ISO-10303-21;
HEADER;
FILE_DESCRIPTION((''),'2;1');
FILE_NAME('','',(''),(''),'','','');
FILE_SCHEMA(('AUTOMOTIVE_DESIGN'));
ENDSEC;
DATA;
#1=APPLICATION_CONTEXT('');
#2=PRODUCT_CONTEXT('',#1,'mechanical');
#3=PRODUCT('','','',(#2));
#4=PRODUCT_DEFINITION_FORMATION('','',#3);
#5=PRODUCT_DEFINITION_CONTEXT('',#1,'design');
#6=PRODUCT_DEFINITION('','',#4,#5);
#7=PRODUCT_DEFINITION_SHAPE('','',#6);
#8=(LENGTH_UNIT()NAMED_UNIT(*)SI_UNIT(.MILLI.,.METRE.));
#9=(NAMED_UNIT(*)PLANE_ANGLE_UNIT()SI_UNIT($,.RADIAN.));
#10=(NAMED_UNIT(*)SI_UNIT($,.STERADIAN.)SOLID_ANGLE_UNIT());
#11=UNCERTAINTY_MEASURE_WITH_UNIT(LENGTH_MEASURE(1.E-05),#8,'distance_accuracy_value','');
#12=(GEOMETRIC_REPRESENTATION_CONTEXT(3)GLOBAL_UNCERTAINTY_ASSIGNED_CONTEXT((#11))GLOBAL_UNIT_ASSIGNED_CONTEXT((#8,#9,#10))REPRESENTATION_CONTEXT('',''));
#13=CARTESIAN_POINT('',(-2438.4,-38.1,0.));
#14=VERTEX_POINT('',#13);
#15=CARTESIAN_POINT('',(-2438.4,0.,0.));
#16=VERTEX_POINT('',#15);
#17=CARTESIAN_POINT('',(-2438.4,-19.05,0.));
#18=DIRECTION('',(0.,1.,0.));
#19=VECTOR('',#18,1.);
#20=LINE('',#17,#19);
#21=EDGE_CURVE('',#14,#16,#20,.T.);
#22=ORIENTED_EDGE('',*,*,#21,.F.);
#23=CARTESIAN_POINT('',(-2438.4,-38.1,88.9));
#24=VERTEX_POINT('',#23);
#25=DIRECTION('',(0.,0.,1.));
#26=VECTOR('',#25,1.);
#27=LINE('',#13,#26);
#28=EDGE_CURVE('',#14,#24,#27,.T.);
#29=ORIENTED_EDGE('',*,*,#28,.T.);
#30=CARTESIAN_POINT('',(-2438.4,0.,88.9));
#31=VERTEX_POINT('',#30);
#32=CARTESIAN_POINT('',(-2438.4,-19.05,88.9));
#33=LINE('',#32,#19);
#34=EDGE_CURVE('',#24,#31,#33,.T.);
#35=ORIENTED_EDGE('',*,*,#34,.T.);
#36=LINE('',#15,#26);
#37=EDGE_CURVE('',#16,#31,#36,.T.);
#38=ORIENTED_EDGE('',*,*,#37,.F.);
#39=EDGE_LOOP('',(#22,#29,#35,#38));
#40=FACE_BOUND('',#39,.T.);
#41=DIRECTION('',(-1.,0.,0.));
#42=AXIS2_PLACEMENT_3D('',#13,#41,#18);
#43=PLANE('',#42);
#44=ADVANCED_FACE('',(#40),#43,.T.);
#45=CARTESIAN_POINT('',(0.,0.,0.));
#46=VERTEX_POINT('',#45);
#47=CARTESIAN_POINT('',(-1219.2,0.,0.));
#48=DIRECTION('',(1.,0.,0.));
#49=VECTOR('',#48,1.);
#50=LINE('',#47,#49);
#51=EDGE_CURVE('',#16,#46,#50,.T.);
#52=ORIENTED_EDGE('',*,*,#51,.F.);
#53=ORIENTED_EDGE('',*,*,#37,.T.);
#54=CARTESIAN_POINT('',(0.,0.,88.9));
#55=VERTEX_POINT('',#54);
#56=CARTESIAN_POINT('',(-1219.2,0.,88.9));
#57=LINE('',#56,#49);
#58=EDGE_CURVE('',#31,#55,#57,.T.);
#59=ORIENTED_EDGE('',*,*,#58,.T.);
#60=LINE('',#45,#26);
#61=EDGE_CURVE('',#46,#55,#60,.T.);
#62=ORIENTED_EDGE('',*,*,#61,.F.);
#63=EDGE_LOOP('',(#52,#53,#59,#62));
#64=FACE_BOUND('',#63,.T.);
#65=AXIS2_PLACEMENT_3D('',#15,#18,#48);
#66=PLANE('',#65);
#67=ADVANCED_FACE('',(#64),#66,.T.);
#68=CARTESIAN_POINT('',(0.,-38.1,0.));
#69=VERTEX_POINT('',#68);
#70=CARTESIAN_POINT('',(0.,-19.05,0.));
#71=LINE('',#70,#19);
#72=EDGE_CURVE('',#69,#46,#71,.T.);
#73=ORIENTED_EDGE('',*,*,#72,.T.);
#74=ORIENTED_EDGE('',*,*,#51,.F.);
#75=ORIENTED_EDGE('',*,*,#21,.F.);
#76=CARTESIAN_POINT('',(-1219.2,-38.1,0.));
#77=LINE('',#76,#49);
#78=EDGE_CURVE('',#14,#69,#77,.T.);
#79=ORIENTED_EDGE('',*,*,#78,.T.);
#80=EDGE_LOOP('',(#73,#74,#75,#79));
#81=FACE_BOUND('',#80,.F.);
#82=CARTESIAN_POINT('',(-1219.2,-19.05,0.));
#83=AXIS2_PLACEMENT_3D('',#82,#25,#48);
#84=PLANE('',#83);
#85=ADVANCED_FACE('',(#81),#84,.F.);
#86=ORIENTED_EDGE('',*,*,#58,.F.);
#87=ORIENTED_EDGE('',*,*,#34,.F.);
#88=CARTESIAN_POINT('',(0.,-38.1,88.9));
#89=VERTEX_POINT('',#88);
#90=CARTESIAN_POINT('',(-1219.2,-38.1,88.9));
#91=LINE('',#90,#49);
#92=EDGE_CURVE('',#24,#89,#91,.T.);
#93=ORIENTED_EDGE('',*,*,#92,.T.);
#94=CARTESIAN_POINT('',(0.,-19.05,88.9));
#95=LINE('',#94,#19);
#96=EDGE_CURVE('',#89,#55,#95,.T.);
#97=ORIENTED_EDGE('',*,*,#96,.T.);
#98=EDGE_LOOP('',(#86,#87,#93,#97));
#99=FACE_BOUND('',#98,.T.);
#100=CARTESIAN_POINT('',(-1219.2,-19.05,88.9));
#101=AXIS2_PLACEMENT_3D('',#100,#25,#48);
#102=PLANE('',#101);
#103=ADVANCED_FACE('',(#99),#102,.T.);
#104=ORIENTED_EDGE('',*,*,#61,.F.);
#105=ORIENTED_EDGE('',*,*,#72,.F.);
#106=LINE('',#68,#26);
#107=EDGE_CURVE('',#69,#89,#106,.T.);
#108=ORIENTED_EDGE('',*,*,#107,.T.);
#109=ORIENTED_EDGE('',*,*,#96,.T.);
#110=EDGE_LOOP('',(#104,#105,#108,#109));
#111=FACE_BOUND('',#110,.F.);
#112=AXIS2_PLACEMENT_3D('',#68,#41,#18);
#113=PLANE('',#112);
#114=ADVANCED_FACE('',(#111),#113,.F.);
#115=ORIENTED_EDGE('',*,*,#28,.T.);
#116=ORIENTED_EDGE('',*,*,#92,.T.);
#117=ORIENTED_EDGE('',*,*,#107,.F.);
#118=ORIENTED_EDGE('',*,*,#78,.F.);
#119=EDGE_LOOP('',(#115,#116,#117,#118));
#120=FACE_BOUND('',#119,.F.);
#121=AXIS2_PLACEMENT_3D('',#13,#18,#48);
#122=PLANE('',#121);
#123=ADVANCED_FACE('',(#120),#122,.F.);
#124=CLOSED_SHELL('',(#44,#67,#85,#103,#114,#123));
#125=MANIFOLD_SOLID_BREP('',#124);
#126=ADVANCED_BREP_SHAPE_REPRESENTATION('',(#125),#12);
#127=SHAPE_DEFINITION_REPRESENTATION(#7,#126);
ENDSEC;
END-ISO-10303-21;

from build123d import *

# Parameters (mm, degrees)
SKETCH1_W           = 2438.4
SKETCH1_H           = 38.1
BOSS_EXTRUDE1_DEPTH = 88.9


with BuildPart() as part:
    # Sketch1 → Boss-Extrude1 (new body)
    with BuildSketch(Plane.XY):
        with Locations((-1219.2, -19.05)):
            Rectangle(SKETCH1_W, SKETCH1_H)
    extrude(amount=BOSS_EXTRUDE1_DEPTH)


solid = part.part
